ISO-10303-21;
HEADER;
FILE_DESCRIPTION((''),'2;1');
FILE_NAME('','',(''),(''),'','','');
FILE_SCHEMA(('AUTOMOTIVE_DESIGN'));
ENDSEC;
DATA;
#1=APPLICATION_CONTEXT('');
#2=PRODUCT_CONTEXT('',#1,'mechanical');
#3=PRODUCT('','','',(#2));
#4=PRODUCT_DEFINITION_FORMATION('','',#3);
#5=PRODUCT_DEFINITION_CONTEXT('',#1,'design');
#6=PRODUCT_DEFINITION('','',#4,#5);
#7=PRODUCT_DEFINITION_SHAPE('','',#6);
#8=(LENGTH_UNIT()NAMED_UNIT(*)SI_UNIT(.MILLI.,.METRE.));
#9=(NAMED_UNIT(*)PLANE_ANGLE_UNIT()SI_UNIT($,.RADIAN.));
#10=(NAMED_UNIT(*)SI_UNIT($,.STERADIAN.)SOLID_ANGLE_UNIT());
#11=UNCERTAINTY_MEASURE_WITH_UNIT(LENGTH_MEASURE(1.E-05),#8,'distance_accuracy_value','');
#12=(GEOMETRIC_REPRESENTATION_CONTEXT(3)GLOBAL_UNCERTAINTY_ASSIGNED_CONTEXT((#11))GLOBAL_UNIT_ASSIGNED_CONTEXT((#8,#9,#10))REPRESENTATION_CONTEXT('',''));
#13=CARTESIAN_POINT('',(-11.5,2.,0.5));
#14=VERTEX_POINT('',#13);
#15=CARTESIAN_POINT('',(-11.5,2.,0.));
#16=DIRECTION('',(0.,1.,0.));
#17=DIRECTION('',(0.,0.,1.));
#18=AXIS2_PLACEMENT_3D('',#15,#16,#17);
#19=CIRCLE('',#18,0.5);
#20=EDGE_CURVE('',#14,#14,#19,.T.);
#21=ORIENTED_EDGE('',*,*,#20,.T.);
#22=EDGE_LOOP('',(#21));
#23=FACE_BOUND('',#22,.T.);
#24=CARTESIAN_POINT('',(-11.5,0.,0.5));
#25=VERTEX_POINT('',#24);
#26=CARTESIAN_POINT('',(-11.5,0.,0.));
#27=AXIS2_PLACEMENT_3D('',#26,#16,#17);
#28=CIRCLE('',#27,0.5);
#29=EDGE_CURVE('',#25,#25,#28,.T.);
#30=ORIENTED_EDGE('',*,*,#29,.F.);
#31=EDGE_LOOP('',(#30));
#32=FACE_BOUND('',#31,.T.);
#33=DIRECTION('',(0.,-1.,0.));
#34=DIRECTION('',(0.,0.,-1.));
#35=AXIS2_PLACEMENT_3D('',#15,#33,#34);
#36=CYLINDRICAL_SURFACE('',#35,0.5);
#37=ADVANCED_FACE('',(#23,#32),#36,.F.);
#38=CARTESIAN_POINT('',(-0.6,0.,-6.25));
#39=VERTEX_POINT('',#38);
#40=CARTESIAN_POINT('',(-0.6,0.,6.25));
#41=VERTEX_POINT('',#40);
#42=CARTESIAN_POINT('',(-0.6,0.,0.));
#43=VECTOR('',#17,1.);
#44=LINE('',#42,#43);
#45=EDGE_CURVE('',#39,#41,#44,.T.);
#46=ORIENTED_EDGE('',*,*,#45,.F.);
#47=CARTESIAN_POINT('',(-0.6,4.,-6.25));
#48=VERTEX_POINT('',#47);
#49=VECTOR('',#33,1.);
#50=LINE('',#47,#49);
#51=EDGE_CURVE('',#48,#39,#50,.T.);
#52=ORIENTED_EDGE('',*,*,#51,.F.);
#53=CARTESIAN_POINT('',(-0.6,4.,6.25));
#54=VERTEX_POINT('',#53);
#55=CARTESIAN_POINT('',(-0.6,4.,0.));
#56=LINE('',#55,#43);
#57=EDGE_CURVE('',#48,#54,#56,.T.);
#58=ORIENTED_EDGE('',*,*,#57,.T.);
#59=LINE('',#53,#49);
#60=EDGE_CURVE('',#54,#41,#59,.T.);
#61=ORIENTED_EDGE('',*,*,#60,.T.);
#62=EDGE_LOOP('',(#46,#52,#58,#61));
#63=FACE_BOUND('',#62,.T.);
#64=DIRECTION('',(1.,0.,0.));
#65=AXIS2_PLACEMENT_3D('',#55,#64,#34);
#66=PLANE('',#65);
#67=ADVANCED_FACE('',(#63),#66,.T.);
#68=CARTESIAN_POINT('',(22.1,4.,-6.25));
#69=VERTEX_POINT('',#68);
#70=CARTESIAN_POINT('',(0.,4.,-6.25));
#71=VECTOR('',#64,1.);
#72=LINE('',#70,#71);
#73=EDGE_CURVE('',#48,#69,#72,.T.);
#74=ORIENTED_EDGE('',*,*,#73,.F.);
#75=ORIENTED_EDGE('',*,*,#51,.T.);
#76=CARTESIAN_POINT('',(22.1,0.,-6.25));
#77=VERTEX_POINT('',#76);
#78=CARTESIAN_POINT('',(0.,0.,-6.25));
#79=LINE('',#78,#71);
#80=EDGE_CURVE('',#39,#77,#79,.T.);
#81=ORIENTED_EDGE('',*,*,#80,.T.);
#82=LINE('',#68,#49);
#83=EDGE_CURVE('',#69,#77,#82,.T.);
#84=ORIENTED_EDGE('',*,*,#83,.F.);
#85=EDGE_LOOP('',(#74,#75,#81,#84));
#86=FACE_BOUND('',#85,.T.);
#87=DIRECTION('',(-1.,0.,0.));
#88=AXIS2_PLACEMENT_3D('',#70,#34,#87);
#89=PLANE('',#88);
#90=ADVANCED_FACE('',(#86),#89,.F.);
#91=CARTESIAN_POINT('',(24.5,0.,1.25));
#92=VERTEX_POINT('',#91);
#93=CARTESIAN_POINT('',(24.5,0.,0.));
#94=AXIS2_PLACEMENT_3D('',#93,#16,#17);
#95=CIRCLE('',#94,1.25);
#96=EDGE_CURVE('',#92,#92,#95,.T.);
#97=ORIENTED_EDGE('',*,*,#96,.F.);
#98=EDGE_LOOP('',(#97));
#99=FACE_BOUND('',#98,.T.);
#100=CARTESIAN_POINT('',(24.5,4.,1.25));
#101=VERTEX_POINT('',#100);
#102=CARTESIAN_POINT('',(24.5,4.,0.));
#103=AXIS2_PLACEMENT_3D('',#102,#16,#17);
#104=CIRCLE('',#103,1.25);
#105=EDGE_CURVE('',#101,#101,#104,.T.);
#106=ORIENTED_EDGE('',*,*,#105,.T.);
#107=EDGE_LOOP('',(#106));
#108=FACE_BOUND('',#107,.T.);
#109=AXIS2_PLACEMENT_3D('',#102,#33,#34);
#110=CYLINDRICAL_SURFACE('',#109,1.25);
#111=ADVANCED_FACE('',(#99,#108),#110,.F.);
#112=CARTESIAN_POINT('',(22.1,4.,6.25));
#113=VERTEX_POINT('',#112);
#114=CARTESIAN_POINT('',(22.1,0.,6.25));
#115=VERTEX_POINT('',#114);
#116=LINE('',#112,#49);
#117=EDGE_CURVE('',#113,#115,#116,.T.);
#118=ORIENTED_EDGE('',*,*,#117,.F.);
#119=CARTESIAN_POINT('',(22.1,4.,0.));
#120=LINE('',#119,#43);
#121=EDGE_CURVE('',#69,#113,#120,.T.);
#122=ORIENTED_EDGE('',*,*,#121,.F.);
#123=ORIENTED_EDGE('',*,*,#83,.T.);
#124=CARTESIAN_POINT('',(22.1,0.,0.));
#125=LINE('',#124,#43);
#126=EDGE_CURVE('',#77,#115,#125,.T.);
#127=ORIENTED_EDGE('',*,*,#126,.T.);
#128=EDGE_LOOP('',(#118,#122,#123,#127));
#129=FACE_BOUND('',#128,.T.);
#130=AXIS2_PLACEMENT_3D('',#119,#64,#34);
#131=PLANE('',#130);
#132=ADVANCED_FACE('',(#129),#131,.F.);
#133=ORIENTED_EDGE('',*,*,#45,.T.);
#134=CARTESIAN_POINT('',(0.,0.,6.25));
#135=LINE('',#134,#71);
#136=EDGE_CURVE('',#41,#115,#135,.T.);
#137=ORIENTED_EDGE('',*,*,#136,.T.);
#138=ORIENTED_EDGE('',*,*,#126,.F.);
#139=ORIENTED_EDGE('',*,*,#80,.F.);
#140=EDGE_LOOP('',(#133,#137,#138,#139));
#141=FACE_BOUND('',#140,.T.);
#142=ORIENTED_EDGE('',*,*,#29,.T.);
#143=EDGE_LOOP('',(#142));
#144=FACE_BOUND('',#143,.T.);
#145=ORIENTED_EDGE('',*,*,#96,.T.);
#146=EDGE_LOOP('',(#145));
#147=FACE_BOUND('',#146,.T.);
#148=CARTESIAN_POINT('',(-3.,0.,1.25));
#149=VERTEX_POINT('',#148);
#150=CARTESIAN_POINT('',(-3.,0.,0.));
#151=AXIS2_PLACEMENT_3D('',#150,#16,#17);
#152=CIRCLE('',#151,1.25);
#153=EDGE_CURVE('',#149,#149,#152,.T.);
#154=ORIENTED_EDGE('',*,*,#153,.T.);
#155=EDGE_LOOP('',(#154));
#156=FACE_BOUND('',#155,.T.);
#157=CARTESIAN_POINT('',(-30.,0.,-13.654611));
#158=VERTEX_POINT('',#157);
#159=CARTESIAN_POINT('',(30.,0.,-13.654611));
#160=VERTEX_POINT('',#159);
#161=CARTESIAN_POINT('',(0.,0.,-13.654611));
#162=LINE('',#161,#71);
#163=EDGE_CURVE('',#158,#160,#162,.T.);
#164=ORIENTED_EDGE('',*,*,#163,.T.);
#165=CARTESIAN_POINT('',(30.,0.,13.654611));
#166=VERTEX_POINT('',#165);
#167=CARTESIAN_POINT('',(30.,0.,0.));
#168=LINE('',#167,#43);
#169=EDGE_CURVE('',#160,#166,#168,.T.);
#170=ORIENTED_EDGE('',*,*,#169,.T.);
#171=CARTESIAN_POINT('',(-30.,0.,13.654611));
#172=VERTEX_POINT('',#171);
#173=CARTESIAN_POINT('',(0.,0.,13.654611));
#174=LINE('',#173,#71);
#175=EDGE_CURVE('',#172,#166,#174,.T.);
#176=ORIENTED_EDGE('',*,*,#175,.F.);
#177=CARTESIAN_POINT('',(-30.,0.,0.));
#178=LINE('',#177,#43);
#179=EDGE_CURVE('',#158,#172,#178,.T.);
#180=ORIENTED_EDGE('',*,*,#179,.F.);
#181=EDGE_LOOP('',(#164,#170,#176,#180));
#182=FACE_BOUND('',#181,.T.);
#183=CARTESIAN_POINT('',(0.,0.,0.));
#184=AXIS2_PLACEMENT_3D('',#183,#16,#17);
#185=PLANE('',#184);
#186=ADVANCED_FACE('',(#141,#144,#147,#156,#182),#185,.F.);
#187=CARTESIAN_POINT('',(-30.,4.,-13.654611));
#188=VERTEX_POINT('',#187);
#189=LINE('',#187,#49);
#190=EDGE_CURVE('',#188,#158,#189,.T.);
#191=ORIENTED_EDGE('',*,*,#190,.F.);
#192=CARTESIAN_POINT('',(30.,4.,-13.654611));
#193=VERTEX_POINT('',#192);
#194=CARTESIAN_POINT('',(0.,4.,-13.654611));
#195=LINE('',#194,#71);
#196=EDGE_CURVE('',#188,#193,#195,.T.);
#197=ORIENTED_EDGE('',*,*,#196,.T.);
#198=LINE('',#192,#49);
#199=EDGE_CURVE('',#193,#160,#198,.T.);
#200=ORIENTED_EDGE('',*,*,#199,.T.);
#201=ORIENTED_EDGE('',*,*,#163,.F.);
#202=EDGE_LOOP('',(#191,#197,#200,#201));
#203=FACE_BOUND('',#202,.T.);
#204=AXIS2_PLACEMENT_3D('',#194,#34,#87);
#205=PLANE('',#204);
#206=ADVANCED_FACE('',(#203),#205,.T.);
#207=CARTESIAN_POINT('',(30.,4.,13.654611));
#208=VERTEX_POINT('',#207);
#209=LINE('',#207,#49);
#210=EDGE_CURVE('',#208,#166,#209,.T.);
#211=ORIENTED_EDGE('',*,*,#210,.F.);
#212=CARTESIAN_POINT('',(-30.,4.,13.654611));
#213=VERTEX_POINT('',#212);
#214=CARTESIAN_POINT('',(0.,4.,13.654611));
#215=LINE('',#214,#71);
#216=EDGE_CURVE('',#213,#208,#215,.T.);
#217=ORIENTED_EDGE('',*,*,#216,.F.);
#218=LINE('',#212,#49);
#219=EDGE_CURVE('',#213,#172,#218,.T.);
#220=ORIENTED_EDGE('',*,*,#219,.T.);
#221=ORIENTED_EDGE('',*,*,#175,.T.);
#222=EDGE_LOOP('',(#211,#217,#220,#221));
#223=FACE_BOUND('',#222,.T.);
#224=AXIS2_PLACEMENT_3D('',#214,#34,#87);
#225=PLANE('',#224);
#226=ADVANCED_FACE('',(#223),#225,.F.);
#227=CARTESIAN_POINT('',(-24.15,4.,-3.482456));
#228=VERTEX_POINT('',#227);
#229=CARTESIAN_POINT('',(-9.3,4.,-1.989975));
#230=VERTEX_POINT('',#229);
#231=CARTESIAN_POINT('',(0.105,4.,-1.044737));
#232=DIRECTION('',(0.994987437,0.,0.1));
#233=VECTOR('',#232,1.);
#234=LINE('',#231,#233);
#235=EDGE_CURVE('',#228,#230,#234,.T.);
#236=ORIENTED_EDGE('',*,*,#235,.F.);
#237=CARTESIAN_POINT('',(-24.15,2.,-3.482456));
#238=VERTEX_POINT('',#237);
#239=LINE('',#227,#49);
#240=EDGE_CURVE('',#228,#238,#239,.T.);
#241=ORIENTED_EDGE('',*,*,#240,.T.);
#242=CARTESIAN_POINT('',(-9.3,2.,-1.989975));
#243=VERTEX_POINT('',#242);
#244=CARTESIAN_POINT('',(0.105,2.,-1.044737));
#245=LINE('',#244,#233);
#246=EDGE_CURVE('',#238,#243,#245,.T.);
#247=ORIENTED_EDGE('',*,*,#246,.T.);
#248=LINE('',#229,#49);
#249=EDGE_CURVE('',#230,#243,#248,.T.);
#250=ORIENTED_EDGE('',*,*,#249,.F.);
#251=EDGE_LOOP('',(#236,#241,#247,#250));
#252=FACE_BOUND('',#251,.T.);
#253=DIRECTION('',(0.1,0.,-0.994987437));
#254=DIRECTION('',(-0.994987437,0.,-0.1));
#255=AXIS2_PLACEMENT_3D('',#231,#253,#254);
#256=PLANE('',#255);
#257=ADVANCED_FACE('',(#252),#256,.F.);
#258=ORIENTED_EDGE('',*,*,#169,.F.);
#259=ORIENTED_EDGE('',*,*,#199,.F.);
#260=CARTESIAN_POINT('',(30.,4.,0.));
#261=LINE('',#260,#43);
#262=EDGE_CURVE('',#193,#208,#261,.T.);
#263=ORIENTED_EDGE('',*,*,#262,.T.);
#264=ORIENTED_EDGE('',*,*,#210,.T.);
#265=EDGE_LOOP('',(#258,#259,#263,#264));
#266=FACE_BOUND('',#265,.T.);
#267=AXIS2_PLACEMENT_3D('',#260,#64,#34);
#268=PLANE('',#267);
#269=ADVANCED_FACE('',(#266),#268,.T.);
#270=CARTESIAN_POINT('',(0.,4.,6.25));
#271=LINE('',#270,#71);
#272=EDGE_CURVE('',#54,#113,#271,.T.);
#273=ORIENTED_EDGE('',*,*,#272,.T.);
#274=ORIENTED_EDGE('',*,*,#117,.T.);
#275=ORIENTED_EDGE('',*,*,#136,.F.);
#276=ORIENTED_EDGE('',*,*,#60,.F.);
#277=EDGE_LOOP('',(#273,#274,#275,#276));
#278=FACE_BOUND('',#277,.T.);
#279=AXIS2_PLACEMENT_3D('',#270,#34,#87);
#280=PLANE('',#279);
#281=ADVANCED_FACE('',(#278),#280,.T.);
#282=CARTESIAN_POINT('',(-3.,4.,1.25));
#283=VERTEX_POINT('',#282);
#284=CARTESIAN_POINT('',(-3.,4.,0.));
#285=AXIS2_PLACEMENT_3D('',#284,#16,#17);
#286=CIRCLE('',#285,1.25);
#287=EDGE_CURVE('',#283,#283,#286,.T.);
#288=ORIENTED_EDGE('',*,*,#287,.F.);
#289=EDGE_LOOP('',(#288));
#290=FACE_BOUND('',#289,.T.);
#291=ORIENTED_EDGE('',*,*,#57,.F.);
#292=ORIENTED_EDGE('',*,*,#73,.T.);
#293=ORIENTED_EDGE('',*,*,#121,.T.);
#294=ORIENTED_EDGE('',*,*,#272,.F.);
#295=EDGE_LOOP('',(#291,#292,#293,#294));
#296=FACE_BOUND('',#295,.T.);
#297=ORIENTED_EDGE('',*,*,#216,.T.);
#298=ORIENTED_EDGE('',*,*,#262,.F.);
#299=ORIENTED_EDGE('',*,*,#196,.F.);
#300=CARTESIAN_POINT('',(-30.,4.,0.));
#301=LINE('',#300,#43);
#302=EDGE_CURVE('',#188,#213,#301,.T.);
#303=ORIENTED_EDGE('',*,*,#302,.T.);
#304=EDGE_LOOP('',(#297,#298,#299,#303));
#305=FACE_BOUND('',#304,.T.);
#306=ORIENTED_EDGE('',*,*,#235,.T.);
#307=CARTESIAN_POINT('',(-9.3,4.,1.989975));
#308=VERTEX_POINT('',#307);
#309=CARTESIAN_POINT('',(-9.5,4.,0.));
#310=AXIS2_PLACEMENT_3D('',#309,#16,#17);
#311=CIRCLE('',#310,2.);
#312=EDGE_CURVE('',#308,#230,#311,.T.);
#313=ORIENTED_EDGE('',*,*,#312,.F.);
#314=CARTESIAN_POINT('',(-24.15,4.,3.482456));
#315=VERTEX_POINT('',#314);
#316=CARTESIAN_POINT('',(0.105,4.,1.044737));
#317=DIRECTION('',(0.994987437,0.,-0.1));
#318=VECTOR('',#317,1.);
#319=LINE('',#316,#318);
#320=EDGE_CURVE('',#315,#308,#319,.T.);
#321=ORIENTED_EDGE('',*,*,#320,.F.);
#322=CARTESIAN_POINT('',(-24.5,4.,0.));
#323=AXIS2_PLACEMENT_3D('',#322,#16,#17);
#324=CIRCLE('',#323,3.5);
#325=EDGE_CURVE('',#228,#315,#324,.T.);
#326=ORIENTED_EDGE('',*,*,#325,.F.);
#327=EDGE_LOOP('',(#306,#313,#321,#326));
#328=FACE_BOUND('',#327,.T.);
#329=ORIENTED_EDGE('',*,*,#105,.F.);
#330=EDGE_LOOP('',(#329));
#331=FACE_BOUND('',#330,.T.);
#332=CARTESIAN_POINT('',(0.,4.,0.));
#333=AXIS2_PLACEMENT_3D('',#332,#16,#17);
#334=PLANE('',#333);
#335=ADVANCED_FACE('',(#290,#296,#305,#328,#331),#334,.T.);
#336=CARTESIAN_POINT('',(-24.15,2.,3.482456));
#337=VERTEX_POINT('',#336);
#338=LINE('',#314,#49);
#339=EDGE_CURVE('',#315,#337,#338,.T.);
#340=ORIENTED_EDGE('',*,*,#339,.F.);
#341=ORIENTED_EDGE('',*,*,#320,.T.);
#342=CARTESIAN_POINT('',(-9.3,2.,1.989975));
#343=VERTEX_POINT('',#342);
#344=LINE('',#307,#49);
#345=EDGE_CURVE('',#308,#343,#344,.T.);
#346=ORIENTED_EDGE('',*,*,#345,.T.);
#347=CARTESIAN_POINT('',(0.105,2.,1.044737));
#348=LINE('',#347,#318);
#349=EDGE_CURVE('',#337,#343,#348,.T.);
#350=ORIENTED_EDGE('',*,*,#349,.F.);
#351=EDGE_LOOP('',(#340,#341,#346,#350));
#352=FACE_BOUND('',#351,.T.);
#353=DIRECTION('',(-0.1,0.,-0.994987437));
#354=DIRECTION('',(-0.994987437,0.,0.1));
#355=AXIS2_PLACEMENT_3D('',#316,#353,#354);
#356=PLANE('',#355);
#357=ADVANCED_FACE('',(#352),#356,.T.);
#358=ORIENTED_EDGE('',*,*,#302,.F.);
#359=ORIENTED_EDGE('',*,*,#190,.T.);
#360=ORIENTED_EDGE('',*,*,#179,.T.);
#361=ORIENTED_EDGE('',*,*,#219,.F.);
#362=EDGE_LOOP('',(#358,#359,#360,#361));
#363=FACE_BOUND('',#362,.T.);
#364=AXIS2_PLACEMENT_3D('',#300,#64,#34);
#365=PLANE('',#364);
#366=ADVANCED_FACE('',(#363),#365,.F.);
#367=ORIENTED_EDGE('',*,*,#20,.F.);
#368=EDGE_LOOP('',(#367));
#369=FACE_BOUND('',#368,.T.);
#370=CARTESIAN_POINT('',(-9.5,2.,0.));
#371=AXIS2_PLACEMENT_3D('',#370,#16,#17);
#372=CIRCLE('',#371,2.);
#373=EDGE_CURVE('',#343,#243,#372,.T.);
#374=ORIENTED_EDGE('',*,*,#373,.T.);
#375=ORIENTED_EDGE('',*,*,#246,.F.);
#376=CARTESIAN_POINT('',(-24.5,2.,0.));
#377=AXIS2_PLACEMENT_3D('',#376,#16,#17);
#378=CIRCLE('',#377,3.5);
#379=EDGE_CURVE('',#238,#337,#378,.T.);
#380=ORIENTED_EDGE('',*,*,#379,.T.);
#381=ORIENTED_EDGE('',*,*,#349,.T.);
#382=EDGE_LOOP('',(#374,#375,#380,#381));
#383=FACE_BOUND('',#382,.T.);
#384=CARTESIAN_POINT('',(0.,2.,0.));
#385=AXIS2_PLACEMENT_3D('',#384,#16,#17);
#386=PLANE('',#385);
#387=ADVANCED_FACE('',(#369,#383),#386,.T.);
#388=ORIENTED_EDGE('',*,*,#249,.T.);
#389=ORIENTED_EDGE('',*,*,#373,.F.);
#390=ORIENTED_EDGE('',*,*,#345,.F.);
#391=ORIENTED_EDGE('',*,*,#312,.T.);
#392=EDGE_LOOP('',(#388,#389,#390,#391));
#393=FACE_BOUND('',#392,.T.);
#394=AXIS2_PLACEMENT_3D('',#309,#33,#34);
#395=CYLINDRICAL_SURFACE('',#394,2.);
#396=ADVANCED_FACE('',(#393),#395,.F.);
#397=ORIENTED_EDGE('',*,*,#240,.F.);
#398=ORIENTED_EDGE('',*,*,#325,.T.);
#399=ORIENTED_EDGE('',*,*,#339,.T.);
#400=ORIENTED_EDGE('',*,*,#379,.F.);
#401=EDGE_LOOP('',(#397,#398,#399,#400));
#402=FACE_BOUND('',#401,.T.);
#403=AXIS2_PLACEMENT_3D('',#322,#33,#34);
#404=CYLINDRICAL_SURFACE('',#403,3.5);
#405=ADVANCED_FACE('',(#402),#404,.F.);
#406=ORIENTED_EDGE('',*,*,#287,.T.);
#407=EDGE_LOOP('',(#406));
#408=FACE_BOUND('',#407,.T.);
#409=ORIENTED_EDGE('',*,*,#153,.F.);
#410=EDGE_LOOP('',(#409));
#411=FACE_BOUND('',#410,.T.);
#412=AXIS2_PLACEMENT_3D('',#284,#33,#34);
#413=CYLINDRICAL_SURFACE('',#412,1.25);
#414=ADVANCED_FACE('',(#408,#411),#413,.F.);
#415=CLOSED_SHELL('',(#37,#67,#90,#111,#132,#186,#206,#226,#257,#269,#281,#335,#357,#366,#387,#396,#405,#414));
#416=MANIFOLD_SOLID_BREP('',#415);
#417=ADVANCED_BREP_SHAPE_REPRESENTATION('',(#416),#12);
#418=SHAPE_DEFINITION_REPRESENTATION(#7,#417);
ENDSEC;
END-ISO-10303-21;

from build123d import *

# Parameters (mm, degrees)
SKETCH_1_W      = 60
SKETCH_1_H      = 27.309222572
SKETCH_1_R      = 1.25
SKETCH_1_W_2    = 22.7
SKETCH_1_H_2    = 12.5
EXTRUDE_2_DEPTH = 4
SKETCH_1_4_R    = 0.5
EXTRUDE_3_DEPTH = 2


with BuildPart() as part:
    # 草图1 → 凸台-拉伸2 (new body)
    with BuildSketch(Plane(origin=(0, 0, 0), x_dir=(1, 0, 0), z_dir=(0, 1, 0))):
        Rectangle(SKETCH_1_W, SKETCH_1_H)
        with BuildLine():
            ThreePointArc((-24.15, -3.48245603), (-28, 0), (-24.15, 3.48245603))
            Line((-24.15, 3.48245603), (-9.3, 1.989974874))
            ThreePointArc((-9.3, 1.989974874), (-8.016760303, 1.341640786), (-7.5, 0))
            ThreePointArc((-7.5, 0), (-8.016760303, -1.341640786), (-9.3, -1.989974874))
            Line((-9.3, -1.989974874), (-24.15, -3.48245603))
        make_face(mode=Mode.SUBTRACT)
        with Locations((-3, 0)):
            Circle(SKETCH_1_R, mode=Mode.SUBTRACT)
        with Locations((10.75, 0)):
            Rectangle(SKETCH_1_W_2, SKETCH_1_H_2, mode=Mode.SUBTRACT)
        with Locations((24.5, 0)):
            Circle(SKETCH_1_R, mode=Mode.SUBTRACT)
    extrude(amount=EXTRUDE_2_DEPTH)

    # 草图1<4> → 凸台-拉伸3 (add)
    with BuildSketch(Plane(origin=(0, 0, 0), x_dir=(1, 0, 0), z_dir=(0, 1, 0))):
        with BuildLine():
            Line((-9.3, 1.989974874), (-24.15, 3.48245603))
            ThreePointArc((-24.15, 3.48245603), (-28, 0), (-24.15, -3.48245603))
            Line((-24.15, -3.48245603), (-9.3, -1.989974874))
            ThreePointArc((-9.3, -1.989974874), (-7.5, 0), (-9.3, 1.989974874))
        make_face()
        with Locations((-11.5, 0)):
            Circle(SKETCH_1_4_R, mode=Mode.SUBTRACT)
    extrude(amount=EXTRUDE_3_DEPTH)


solid = part.part
